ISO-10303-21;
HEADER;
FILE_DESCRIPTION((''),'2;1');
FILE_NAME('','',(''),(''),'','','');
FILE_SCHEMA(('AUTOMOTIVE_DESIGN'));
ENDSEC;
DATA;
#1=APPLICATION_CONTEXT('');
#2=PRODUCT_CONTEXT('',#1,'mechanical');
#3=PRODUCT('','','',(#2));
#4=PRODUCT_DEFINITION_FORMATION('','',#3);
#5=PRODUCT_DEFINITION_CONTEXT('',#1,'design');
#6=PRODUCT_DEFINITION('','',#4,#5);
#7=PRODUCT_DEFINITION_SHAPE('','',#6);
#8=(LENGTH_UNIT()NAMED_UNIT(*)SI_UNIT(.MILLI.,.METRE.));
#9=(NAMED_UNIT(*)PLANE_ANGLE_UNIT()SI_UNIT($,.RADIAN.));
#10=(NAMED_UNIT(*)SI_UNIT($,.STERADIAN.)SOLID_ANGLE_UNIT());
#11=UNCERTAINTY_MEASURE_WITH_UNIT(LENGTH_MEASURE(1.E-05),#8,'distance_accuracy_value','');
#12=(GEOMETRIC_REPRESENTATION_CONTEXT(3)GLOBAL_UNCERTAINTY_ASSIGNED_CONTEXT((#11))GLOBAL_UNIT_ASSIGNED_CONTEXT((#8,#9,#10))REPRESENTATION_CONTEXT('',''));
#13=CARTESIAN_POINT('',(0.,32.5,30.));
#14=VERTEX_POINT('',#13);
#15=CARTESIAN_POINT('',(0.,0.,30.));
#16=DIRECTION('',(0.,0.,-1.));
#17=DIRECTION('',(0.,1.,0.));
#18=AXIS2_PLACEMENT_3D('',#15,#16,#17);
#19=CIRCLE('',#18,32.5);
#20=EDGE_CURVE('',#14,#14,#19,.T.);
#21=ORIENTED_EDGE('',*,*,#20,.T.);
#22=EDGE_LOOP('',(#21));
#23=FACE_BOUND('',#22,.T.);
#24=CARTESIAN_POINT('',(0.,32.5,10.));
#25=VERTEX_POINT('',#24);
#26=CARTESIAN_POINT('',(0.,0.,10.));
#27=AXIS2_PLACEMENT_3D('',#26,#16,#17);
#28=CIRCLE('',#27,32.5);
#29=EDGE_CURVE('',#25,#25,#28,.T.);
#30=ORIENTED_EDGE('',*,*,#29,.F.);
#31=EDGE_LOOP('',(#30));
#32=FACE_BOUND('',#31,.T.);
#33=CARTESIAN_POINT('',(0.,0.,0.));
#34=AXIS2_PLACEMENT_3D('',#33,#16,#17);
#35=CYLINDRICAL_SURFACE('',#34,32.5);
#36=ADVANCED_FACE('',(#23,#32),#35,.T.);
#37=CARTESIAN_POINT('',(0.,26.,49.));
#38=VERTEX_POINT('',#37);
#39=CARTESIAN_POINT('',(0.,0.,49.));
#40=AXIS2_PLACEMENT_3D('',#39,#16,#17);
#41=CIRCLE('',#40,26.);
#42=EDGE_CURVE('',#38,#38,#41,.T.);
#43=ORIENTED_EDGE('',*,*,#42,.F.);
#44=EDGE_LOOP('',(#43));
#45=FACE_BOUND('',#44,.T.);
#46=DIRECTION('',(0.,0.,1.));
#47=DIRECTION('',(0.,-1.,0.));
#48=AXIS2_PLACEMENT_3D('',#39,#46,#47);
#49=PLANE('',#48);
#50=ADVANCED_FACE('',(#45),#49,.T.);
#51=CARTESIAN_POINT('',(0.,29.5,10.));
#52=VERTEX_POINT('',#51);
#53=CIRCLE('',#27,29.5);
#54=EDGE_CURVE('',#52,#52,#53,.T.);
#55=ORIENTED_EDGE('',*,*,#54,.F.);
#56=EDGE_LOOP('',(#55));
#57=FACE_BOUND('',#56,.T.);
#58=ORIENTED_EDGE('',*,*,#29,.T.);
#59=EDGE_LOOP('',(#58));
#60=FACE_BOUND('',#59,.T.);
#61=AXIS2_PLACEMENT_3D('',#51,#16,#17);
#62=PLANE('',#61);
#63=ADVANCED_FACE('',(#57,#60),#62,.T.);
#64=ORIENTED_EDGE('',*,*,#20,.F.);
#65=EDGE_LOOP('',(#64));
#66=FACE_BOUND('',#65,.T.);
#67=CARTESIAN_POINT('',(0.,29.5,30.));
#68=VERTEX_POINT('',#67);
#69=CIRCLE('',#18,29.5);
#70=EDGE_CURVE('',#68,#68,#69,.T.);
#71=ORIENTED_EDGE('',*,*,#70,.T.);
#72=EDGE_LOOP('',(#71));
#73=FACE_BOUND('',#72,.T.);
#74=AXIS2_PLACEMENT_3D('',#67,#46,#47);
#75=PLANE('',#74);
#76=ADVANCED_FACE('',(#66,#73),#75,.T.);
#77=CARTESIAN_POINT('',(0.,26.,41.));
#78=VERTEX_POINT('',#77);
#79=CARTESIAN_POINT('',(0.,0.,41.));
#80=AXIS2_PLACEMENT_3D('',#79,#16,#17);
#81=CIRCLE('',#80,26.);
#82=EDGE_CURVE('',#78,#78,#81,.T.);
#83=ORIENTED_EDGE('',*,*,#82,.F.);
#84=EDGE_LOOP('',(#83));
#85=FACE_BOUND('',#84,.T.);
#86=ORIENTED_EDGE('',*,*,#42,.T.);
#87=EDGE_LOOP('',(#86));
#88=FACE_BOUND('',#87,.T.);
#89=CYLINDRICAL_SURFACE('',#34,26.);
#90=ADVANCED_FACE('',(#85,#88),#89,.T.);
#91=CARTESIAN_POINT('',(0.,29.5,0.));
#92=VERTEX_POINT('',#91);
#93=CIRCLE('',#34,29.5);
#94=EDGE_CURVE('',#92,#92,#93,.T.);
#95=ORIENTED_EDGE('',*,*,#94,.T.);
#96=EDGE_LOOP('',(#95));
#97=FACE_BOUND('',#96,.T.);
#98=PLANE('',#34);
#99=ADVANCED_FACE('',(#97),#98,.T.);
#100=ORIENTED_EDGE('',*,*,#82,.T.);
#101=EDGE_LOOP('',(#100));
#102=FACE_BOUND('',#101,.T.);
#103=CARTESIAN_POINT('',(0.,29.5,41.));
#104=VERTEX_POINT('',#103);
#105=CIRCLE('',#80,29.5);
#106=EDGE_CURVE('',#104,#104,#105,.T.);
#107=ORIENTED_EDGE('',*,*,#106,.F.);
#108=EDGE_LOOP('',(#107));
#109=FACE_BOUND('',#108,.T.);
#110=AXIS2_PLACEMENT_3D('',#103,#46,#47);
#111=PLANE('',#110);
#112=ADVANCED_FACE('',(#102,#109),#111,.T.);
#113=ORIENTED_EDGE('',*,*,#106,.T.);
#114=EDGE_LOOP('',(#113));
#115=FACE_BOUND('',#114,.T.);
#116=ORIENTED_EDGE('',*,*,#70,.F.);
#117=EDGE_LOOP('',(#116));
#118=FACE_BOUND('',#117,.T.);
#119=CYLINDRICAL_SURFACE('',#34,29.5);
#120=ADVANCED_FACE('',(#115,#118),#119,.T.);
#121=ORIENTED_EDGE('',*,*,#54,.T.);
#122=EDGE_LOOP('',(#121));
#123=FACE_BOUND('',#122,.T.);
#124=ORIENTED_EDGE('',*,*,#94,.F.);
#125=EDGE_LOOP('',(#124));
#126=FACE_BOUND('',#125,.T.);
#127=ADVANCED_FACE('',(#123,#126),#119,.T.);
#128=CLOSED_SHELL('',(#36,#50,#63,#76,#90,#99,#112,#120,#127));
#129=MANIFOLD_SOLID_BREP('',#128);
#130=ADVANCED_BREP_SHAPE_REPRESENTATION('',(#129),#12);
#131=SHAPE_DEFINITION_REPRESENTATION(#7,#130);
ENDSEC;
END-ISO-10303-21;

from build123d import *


with BuildPart() as part:
    # Sketch2 → Revolve3 (revolve)
    with BuildSketch(Plane(origin=(0, 0, 0), x_dir=(0, 0, -1), z_dir=(1, 0, 0))):
        Polygon((0, 29.5), (-10, 29.5), (-10, 32.5), (-30, 32.5), (-30, 29.5), (-41, 29.5), (-41, 26), (-49, 26), (-49, 0), (0, 0), align=None)
    revolve(axis=Axis((0, 0, 0), (0, 0, 1)))


solid = part.part
